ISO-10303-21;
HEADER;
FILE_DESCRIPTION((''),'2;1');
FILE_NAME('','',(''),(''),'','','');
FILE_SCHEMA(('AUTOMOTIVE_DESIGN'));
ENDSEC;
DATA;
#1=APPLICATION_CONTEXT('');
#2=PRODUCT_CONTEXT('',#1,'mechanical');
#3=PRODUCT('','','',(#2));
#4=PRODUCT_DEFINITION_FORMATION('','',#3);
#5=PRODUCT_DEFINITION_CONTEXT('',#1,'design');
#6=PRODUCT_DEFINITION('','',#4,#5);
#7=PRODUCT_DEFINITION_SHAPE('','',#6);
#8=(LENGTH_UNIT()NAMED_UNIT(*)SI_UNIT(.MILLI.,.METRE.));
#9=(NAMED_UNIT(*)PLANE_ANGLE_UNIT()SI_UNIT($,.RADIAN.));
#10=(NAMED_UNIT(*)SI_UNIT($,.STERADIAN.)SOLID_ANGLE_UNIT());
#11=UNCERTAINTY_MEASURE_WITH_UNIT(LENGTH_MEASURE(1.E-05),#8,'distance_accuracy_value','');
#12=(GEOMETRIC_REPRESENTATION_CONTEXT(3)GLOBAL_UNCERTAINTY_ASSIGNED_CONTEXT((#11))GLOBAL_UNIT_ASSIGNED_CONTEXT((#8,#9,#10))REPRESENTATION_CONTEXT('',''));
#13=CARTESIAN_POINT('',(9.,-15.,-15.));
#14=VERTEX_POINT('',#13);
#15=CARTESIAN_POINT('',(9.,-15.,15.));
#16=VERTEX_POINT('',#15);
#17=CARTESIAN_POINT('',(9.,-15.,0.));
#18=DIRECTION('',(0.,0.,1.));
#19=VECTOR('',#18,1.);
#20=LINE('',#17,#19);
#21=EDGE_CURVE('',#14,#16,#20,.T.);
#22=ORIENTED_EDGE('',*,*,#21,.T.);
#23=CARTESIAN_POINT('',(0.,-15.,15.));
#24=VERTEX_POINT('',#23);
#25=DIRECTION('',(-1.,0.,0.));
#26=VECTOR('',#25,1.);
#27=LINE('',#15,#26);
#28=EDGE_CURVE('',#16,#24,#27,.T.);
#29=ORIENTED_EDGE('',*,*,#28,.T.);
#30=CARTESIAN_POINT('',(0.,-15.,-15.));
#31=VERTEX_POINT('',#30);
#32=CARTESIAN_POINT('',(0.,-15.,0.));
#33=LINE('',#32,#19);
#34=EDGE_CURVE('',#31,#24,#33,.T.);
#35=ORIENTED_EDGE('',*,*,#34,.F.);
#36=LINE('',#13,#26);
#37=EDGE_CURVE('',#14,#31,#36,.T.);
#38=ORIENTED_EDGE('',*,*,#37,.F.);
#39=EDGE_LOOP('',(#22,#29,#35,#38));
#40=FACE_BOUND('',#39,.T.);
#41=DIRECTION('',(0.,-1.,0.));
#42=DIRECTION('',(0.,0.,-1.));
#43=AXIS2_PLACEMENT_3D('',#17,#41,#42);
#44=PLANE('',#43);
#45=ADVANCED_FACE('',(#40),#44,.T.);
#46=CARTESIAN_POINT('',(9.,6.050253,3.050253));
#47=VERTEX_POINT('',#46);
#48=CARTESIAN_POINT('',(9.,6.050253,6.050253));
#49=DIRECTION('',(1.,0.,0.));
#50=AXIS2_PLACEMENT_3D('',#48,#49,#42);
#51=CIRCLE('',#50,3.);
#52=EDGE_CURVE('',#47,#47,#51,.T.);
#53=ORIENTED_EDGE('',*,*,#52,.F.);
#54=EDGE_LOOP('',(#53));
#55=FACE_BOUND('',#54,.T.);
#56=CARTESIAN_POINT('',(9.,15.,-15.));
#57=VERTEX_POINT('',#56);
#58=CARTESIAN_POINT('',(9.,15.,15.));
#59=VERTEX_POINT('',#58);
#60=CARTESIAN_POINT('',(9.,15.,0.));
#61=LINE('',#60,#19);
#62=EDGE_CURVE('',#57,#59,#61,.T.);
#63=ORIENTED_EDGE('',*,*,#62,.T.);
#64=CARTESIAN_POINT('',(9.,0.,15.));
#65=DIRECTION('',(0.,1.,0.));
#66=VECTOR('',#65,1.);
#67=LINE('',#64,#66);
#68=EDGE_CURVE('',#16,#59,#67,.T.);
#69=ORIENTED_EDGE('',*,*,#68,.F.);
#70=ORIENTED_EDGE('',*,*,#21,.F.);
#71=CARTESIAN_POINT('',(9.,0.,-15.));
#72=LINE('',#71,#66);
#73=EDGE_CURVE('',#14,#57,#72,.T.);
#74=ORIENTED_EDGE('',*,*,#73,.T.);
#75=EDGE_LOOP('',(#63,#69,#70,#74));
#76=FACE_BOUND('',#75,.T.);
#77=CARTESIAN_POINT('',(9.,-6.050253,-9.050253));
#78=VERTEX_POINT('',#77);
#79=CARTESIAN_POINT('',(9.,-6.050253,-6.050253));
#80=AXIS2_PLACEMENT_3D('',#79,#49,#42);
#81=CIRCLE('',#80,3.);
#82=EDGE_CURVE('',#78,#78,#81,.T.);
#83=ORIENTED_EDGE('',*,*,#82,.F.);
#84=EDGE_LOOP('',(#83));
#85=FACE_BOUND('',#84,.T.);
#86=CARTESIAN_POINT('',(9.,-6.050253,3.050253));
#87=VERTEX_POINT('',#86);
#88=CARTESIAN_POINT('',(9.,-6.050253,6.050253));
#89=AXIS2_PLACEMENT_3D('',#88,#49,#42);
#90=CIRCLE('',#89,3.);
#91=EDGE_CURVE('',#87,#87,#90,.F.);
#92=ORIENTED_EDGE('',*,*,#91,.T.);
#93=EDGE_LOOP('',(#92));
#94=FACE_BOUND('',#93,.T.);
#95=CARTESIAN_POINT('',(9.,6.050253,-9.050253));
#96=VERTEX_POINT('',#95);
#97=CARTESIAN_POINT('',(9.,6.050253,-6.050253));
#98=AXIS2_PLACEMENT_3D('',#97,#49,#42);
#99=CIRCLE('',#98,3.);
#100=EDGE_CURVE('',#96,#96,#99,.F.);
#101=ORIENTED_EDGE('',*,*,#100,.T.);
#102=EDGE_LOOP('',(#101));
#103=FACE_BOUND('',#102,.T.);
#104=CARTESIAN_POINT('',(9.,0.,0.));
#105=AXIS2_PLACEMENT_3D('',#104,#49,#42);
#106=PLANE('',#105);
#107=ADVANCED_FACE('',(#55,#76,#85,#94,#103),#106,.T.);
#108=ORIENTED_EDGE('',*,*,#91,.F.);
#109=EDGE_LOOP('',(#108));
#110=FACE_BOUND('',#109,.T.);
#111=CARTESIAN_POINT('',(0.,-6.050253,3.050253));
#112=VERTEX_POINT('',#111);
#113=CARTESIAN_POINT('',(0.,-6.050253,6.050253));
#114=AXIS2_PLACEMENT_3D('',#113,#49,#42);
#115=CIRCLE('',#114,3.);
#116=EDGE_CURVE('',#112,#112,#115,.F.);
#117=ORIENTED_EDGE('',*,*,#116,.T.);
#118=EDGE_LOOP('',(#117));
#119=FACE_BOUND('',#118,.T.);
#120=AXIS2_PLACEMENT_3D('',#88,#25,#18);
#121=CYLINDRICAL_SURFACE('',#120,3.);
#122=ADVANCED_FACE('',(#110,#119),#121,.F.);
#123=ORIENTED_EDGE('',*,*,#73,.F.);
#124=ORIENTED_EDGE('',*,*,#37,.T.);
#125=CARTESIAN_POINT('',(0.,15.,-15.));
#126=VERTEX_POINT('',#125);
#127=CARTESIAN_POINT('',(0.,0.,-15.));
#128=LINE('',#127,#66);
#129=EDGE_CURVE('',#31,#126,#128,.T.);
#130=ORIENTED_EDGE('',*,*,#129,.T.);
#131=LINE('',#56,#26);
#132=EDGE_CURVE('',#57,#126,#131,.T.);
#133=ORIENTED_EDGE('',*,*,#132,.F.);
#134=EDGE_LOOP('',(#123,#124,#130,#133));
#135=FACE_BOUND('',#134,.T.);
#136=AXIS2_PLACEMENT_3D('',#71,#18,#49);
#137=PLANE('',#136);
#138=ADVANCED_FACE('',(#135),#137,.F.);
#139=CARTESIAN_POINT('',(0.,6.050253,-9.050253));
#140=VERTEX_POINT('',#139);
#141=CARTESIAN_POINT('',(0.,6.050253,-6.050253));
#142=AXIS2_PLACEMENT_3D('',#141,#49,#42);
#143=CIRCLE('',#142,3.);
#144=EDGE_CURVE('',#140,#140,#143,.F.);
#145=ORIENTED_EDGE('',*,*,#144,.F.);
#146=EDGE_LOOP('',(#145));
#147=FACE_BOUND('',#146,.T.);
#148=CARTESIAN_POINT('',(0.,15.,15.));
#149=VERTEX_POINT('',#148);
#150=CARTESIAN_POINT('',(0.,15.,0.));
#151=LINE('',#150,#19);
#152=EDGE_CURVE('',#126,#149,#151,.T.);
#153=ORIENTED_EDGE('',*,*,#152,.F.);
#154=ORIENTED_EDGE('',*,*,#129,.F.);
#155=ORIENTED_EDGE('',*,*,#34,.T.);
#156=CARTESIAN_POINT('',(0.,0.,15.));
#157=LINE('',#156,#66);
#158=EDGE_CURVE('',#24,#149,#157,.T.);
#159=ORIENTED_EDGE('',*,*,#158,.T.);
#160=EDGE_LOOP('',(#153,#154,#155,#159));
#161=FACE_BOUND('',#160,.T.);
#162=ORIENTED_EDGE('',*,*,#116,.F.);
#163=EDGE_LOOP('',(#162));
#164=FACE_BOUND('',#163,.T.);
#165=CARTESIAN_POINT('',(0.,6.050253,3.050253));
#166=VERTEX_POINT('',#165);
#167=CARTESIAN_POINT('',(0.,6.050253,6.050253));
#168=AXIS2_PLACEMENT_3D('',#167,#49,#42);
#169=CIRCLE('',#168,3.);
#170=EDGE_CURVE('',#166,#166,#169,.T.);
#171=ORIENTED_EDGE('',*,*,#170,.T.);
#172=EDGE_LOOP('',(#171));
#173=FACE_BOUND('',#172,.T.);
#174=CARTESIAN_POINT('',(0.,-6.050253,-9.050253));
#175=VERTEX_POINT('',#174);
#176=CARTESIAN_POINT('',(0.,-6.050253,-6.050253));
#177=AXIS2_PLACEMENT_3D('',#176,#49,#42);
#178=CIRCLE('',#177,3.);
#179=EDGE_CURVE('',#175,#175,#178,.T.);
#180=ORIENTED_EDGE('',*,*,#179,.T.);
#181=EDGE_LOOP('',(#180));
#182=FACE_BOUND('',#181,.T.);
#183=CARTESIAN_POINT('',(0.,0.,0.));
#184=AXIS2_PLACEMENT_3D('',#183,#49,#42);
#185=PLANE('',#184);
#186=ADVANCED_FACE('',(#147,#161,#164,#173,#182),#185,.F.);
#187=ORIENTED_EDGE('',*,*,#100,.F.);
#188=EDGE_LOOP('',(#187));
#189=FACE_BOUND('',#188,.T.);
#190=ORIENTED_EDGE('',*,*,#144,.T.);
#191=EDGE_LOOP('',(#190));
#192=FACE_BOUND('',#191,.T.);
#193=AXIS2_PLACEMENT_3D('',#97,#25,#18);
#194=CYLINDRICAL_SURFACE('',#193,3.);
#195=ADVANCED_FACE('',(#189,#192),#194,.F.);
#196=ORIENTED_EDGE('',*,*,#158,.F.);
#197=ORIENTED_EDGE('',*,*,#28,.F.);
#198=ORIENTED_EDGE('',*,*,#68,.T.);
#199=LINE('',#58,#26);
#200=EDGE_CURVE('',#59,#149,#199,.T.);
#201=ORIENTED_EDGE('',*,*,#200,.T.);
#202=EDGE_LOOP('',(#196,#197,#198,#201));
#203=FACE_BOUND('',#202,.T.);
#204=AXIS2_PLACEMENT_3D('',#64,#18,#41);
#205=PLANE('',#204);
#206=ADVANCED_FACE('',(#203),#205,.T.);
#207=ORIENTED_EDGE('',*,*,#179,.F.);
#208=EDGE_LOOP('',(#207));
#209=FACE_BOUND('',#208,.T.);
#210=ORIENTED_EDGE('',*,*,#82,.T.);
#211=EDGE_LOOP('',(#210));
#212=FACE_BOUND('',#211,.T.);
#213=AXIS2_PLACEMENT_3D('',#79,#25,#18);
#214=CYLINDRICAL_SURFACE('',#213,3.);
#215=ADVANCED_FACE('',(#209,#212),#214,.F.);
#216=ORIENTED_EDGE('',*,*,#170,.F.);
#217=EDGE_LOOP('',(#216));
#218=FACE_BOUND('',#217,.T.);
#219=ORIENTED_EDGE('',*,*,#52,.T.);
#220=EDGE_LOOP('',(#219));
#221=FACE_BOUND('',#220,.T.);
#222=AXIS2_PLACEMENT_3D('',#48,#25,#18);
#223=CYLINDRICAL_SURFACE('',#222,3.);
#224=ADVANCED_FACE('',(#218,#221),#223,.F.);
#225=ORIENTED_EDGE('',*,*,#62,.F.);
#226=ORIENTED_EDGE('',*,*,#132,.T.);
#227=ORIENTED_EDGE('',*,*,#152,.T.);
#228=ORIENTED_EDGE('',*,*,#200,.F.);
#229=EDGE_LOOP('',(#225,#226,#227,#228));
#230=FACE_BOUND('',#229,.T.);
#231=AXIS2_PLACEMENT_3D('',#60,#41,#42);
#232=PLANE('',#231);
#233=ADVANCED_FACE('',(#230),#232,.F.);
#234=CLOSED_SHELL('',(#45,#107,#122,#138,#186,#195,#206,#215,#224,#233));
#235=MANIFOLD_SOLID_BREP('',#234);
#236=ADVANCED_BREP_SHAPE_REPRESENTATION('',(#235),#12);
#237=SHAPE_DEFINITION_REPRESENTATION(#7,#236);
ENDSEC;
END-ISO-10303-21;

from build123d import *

# Parameters (mm, degrees)
SKETCH1_W           = 30
SKETCH1_H           = 30
SKETCH1_R           = 3
BOSS_EXTRUDE1_DEPTH = 9


with BuildPart() as part:
    # Sketch1 → Boss-Extrude1 (new body)
    with BuildSketch(Plane.YZ):
        Rectangle(SKETCH1_W, SKETCH1_H)
        with Locations(Location((6.050252532, 6.050252532, 0), (0, 0, 270))):
            Circle(SKETCH1_R, mode=Mode.SUBTRACT)
        with Locations(Location((-6.050252532, 6.050252532, 0), (0, 0, 270))):
            Circle(SKETCH1_R, mode=Mode.SUBTRACT)
        with Locations(Location((-6.050252532, -6.050252532, 0), (0, 0, 270))):
            Circle(SKETCH1_R, mode=Mode.SUBTRACT)
        with Locations(Location((6.050252532, -6.050252532, 0), (0, 0, 270))):
            Circle(SKETCH1_R, mode=Mode.SUBTRACT)
    extrude(amount=BOSS_EXTRUDE1_DEPTH)


solid = part.part
